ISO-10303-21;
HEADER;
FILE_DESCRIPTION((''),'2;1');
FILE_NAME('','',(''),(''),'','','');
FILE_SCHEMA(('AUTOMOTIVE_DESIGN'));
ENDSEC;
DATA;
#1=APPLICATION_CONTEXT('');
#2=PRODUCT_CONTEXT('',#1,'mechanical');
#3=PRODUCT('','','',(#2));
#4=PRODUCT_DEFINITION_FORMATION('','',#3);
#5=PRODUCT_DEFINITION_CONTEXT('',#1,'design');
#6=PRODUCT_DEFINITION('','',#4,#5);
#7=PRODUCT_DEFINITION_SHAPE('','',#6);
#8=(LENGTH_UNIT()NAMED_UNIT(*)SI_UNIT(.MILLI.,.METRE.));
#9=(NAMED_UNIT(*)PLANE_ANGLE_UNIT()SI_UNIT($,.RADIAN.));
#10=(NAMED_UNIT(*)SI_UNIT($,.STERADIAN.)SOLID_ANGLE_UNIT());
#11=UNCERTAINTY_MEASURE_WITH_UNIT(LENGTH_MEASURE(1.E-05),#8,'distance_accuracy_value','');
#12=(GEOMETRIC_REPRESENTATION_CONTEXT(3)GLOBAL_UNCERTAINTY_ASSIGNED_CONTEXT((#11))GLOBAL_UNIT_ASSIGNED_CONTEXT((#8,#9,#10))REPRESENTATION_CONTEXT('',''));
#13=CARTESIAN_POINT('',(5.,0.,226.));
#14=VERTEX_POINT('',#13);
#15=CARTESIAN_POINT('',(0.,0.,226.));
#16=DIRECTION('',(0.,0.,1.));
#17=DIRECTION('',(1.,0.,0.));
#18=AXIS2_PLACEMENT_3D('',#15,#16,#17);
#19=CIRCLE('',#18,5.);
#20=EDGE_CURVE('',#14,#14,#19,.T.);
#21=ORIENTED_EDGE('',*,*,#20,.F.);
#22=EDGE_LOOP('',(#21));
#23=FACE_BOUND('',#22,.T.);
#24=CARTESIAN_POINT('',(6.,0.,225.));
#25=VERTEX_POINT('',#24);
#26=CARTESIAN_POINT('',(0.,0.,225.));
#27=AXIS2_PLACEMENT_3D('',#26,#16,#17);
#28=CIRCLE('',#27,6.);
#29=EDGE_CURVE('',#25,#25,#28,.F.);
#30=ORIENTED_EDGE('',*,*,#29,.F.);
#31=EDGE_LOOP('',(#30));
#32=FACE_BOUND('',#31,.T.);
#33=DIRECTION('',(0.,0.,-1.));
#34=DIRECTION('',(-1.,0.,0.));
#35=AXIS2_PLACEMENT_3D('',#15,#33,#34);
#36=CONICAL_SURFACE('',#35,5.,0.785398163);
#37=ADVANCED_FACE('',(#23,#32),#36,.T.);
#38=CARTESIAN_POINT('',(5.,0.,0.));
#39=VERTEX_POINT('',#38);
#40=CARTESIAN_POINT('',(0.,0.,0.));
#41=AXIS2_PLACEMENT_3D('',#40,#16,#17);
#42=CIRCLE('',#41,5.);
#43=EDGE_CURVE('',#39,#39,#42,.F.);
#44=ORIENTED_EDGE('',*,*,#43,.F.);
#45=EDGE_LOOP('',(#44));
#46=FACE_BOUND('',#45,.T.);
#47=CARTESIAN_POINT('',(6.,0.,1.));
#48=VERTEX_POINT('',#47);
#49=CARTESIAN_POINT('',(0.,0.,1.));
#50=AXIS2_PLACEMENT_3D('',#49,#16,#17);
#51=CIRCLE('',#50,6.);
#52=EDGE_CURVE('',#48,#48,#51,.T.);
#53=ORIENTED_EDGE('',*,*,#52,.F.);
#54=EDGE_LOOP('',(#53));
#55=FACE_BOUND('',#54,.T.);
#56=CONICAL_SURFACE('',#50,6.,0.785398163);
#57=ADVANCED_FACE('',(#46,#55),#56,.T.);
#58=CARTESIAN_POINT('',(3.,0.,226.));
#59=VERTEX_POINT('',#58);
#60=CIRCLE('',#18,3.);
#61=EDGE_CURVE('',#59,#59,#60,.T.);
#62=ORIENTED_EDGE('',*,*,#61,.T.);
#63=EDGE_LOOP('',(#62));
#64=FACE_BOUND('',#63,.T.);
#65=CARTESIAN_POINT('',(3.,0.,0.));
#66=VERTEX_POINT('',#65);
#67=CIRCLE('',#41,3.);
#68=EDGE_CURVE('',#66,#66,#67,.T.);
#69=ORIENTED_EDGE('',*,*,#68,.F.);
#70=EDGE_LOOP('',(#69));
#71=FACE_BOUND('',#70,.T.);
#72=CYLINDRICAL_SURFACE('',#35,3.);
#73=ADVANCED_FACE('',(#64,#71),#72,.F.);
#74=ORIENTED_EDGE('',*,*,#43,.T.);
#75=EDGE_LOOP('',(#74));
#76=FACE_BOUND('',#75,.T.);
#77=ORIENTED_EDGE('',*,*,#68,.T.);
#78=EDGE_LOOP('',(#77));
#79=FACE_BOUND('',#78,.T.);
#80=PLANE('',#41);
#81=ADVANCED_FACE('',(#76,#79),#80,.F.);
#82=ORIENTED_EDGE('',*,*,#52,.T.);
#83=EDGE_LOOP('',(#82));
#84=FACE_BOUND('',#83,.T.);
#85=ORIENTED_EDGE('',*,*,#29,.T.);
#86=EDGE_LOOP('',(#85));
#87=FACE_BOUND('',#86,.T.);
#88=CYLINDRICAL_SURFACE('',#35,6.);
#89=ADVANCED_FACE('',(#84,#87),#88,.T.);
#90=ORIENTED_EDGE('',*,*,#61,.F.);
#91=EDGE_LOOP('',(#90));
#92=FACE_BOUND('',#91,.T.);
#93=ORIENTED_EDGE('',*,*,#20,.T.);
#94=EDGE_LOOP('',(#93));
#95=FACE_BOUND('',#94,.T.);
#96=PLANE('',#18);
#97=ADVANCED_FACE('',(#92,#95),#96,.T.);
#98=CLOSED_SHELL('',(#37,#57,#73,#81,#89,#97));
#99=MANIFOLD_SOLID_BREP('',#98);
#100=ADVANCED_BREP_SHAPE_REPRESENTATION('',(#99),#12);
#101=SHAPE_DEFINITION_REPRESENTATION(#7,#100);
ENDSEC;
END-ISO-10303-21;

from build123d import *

# Parameters (mm, degrees)
SKETCH_1_R      = 6
SKETCH_1_R_2    = 3
EXTRUDE_1_DEPTH = 226
CHAMFER_1_SIZE  = 1


with BuildPart() as part:
    # 草图1 → 凸台-拉伸1 (new body)
    with BuildSketch(Plane.XY):
        Circle(SKETCH_1_R)
        Circle(SKETCH_1_R_2, mode=Mode.SUBTRACT)
    extrude(amount=EXTRUDE_1_DEPTH)

    # 倒角1
    chamfer_1_edges = [part.edges().sort_by_distance(p)[0] for p in [
        (-6, 0, 0),
        (-6, 0, 226),
    ]]
    chamfer(chamfer_1_edges, length=CHAMFER_1_SIZE)


solid = part.part
